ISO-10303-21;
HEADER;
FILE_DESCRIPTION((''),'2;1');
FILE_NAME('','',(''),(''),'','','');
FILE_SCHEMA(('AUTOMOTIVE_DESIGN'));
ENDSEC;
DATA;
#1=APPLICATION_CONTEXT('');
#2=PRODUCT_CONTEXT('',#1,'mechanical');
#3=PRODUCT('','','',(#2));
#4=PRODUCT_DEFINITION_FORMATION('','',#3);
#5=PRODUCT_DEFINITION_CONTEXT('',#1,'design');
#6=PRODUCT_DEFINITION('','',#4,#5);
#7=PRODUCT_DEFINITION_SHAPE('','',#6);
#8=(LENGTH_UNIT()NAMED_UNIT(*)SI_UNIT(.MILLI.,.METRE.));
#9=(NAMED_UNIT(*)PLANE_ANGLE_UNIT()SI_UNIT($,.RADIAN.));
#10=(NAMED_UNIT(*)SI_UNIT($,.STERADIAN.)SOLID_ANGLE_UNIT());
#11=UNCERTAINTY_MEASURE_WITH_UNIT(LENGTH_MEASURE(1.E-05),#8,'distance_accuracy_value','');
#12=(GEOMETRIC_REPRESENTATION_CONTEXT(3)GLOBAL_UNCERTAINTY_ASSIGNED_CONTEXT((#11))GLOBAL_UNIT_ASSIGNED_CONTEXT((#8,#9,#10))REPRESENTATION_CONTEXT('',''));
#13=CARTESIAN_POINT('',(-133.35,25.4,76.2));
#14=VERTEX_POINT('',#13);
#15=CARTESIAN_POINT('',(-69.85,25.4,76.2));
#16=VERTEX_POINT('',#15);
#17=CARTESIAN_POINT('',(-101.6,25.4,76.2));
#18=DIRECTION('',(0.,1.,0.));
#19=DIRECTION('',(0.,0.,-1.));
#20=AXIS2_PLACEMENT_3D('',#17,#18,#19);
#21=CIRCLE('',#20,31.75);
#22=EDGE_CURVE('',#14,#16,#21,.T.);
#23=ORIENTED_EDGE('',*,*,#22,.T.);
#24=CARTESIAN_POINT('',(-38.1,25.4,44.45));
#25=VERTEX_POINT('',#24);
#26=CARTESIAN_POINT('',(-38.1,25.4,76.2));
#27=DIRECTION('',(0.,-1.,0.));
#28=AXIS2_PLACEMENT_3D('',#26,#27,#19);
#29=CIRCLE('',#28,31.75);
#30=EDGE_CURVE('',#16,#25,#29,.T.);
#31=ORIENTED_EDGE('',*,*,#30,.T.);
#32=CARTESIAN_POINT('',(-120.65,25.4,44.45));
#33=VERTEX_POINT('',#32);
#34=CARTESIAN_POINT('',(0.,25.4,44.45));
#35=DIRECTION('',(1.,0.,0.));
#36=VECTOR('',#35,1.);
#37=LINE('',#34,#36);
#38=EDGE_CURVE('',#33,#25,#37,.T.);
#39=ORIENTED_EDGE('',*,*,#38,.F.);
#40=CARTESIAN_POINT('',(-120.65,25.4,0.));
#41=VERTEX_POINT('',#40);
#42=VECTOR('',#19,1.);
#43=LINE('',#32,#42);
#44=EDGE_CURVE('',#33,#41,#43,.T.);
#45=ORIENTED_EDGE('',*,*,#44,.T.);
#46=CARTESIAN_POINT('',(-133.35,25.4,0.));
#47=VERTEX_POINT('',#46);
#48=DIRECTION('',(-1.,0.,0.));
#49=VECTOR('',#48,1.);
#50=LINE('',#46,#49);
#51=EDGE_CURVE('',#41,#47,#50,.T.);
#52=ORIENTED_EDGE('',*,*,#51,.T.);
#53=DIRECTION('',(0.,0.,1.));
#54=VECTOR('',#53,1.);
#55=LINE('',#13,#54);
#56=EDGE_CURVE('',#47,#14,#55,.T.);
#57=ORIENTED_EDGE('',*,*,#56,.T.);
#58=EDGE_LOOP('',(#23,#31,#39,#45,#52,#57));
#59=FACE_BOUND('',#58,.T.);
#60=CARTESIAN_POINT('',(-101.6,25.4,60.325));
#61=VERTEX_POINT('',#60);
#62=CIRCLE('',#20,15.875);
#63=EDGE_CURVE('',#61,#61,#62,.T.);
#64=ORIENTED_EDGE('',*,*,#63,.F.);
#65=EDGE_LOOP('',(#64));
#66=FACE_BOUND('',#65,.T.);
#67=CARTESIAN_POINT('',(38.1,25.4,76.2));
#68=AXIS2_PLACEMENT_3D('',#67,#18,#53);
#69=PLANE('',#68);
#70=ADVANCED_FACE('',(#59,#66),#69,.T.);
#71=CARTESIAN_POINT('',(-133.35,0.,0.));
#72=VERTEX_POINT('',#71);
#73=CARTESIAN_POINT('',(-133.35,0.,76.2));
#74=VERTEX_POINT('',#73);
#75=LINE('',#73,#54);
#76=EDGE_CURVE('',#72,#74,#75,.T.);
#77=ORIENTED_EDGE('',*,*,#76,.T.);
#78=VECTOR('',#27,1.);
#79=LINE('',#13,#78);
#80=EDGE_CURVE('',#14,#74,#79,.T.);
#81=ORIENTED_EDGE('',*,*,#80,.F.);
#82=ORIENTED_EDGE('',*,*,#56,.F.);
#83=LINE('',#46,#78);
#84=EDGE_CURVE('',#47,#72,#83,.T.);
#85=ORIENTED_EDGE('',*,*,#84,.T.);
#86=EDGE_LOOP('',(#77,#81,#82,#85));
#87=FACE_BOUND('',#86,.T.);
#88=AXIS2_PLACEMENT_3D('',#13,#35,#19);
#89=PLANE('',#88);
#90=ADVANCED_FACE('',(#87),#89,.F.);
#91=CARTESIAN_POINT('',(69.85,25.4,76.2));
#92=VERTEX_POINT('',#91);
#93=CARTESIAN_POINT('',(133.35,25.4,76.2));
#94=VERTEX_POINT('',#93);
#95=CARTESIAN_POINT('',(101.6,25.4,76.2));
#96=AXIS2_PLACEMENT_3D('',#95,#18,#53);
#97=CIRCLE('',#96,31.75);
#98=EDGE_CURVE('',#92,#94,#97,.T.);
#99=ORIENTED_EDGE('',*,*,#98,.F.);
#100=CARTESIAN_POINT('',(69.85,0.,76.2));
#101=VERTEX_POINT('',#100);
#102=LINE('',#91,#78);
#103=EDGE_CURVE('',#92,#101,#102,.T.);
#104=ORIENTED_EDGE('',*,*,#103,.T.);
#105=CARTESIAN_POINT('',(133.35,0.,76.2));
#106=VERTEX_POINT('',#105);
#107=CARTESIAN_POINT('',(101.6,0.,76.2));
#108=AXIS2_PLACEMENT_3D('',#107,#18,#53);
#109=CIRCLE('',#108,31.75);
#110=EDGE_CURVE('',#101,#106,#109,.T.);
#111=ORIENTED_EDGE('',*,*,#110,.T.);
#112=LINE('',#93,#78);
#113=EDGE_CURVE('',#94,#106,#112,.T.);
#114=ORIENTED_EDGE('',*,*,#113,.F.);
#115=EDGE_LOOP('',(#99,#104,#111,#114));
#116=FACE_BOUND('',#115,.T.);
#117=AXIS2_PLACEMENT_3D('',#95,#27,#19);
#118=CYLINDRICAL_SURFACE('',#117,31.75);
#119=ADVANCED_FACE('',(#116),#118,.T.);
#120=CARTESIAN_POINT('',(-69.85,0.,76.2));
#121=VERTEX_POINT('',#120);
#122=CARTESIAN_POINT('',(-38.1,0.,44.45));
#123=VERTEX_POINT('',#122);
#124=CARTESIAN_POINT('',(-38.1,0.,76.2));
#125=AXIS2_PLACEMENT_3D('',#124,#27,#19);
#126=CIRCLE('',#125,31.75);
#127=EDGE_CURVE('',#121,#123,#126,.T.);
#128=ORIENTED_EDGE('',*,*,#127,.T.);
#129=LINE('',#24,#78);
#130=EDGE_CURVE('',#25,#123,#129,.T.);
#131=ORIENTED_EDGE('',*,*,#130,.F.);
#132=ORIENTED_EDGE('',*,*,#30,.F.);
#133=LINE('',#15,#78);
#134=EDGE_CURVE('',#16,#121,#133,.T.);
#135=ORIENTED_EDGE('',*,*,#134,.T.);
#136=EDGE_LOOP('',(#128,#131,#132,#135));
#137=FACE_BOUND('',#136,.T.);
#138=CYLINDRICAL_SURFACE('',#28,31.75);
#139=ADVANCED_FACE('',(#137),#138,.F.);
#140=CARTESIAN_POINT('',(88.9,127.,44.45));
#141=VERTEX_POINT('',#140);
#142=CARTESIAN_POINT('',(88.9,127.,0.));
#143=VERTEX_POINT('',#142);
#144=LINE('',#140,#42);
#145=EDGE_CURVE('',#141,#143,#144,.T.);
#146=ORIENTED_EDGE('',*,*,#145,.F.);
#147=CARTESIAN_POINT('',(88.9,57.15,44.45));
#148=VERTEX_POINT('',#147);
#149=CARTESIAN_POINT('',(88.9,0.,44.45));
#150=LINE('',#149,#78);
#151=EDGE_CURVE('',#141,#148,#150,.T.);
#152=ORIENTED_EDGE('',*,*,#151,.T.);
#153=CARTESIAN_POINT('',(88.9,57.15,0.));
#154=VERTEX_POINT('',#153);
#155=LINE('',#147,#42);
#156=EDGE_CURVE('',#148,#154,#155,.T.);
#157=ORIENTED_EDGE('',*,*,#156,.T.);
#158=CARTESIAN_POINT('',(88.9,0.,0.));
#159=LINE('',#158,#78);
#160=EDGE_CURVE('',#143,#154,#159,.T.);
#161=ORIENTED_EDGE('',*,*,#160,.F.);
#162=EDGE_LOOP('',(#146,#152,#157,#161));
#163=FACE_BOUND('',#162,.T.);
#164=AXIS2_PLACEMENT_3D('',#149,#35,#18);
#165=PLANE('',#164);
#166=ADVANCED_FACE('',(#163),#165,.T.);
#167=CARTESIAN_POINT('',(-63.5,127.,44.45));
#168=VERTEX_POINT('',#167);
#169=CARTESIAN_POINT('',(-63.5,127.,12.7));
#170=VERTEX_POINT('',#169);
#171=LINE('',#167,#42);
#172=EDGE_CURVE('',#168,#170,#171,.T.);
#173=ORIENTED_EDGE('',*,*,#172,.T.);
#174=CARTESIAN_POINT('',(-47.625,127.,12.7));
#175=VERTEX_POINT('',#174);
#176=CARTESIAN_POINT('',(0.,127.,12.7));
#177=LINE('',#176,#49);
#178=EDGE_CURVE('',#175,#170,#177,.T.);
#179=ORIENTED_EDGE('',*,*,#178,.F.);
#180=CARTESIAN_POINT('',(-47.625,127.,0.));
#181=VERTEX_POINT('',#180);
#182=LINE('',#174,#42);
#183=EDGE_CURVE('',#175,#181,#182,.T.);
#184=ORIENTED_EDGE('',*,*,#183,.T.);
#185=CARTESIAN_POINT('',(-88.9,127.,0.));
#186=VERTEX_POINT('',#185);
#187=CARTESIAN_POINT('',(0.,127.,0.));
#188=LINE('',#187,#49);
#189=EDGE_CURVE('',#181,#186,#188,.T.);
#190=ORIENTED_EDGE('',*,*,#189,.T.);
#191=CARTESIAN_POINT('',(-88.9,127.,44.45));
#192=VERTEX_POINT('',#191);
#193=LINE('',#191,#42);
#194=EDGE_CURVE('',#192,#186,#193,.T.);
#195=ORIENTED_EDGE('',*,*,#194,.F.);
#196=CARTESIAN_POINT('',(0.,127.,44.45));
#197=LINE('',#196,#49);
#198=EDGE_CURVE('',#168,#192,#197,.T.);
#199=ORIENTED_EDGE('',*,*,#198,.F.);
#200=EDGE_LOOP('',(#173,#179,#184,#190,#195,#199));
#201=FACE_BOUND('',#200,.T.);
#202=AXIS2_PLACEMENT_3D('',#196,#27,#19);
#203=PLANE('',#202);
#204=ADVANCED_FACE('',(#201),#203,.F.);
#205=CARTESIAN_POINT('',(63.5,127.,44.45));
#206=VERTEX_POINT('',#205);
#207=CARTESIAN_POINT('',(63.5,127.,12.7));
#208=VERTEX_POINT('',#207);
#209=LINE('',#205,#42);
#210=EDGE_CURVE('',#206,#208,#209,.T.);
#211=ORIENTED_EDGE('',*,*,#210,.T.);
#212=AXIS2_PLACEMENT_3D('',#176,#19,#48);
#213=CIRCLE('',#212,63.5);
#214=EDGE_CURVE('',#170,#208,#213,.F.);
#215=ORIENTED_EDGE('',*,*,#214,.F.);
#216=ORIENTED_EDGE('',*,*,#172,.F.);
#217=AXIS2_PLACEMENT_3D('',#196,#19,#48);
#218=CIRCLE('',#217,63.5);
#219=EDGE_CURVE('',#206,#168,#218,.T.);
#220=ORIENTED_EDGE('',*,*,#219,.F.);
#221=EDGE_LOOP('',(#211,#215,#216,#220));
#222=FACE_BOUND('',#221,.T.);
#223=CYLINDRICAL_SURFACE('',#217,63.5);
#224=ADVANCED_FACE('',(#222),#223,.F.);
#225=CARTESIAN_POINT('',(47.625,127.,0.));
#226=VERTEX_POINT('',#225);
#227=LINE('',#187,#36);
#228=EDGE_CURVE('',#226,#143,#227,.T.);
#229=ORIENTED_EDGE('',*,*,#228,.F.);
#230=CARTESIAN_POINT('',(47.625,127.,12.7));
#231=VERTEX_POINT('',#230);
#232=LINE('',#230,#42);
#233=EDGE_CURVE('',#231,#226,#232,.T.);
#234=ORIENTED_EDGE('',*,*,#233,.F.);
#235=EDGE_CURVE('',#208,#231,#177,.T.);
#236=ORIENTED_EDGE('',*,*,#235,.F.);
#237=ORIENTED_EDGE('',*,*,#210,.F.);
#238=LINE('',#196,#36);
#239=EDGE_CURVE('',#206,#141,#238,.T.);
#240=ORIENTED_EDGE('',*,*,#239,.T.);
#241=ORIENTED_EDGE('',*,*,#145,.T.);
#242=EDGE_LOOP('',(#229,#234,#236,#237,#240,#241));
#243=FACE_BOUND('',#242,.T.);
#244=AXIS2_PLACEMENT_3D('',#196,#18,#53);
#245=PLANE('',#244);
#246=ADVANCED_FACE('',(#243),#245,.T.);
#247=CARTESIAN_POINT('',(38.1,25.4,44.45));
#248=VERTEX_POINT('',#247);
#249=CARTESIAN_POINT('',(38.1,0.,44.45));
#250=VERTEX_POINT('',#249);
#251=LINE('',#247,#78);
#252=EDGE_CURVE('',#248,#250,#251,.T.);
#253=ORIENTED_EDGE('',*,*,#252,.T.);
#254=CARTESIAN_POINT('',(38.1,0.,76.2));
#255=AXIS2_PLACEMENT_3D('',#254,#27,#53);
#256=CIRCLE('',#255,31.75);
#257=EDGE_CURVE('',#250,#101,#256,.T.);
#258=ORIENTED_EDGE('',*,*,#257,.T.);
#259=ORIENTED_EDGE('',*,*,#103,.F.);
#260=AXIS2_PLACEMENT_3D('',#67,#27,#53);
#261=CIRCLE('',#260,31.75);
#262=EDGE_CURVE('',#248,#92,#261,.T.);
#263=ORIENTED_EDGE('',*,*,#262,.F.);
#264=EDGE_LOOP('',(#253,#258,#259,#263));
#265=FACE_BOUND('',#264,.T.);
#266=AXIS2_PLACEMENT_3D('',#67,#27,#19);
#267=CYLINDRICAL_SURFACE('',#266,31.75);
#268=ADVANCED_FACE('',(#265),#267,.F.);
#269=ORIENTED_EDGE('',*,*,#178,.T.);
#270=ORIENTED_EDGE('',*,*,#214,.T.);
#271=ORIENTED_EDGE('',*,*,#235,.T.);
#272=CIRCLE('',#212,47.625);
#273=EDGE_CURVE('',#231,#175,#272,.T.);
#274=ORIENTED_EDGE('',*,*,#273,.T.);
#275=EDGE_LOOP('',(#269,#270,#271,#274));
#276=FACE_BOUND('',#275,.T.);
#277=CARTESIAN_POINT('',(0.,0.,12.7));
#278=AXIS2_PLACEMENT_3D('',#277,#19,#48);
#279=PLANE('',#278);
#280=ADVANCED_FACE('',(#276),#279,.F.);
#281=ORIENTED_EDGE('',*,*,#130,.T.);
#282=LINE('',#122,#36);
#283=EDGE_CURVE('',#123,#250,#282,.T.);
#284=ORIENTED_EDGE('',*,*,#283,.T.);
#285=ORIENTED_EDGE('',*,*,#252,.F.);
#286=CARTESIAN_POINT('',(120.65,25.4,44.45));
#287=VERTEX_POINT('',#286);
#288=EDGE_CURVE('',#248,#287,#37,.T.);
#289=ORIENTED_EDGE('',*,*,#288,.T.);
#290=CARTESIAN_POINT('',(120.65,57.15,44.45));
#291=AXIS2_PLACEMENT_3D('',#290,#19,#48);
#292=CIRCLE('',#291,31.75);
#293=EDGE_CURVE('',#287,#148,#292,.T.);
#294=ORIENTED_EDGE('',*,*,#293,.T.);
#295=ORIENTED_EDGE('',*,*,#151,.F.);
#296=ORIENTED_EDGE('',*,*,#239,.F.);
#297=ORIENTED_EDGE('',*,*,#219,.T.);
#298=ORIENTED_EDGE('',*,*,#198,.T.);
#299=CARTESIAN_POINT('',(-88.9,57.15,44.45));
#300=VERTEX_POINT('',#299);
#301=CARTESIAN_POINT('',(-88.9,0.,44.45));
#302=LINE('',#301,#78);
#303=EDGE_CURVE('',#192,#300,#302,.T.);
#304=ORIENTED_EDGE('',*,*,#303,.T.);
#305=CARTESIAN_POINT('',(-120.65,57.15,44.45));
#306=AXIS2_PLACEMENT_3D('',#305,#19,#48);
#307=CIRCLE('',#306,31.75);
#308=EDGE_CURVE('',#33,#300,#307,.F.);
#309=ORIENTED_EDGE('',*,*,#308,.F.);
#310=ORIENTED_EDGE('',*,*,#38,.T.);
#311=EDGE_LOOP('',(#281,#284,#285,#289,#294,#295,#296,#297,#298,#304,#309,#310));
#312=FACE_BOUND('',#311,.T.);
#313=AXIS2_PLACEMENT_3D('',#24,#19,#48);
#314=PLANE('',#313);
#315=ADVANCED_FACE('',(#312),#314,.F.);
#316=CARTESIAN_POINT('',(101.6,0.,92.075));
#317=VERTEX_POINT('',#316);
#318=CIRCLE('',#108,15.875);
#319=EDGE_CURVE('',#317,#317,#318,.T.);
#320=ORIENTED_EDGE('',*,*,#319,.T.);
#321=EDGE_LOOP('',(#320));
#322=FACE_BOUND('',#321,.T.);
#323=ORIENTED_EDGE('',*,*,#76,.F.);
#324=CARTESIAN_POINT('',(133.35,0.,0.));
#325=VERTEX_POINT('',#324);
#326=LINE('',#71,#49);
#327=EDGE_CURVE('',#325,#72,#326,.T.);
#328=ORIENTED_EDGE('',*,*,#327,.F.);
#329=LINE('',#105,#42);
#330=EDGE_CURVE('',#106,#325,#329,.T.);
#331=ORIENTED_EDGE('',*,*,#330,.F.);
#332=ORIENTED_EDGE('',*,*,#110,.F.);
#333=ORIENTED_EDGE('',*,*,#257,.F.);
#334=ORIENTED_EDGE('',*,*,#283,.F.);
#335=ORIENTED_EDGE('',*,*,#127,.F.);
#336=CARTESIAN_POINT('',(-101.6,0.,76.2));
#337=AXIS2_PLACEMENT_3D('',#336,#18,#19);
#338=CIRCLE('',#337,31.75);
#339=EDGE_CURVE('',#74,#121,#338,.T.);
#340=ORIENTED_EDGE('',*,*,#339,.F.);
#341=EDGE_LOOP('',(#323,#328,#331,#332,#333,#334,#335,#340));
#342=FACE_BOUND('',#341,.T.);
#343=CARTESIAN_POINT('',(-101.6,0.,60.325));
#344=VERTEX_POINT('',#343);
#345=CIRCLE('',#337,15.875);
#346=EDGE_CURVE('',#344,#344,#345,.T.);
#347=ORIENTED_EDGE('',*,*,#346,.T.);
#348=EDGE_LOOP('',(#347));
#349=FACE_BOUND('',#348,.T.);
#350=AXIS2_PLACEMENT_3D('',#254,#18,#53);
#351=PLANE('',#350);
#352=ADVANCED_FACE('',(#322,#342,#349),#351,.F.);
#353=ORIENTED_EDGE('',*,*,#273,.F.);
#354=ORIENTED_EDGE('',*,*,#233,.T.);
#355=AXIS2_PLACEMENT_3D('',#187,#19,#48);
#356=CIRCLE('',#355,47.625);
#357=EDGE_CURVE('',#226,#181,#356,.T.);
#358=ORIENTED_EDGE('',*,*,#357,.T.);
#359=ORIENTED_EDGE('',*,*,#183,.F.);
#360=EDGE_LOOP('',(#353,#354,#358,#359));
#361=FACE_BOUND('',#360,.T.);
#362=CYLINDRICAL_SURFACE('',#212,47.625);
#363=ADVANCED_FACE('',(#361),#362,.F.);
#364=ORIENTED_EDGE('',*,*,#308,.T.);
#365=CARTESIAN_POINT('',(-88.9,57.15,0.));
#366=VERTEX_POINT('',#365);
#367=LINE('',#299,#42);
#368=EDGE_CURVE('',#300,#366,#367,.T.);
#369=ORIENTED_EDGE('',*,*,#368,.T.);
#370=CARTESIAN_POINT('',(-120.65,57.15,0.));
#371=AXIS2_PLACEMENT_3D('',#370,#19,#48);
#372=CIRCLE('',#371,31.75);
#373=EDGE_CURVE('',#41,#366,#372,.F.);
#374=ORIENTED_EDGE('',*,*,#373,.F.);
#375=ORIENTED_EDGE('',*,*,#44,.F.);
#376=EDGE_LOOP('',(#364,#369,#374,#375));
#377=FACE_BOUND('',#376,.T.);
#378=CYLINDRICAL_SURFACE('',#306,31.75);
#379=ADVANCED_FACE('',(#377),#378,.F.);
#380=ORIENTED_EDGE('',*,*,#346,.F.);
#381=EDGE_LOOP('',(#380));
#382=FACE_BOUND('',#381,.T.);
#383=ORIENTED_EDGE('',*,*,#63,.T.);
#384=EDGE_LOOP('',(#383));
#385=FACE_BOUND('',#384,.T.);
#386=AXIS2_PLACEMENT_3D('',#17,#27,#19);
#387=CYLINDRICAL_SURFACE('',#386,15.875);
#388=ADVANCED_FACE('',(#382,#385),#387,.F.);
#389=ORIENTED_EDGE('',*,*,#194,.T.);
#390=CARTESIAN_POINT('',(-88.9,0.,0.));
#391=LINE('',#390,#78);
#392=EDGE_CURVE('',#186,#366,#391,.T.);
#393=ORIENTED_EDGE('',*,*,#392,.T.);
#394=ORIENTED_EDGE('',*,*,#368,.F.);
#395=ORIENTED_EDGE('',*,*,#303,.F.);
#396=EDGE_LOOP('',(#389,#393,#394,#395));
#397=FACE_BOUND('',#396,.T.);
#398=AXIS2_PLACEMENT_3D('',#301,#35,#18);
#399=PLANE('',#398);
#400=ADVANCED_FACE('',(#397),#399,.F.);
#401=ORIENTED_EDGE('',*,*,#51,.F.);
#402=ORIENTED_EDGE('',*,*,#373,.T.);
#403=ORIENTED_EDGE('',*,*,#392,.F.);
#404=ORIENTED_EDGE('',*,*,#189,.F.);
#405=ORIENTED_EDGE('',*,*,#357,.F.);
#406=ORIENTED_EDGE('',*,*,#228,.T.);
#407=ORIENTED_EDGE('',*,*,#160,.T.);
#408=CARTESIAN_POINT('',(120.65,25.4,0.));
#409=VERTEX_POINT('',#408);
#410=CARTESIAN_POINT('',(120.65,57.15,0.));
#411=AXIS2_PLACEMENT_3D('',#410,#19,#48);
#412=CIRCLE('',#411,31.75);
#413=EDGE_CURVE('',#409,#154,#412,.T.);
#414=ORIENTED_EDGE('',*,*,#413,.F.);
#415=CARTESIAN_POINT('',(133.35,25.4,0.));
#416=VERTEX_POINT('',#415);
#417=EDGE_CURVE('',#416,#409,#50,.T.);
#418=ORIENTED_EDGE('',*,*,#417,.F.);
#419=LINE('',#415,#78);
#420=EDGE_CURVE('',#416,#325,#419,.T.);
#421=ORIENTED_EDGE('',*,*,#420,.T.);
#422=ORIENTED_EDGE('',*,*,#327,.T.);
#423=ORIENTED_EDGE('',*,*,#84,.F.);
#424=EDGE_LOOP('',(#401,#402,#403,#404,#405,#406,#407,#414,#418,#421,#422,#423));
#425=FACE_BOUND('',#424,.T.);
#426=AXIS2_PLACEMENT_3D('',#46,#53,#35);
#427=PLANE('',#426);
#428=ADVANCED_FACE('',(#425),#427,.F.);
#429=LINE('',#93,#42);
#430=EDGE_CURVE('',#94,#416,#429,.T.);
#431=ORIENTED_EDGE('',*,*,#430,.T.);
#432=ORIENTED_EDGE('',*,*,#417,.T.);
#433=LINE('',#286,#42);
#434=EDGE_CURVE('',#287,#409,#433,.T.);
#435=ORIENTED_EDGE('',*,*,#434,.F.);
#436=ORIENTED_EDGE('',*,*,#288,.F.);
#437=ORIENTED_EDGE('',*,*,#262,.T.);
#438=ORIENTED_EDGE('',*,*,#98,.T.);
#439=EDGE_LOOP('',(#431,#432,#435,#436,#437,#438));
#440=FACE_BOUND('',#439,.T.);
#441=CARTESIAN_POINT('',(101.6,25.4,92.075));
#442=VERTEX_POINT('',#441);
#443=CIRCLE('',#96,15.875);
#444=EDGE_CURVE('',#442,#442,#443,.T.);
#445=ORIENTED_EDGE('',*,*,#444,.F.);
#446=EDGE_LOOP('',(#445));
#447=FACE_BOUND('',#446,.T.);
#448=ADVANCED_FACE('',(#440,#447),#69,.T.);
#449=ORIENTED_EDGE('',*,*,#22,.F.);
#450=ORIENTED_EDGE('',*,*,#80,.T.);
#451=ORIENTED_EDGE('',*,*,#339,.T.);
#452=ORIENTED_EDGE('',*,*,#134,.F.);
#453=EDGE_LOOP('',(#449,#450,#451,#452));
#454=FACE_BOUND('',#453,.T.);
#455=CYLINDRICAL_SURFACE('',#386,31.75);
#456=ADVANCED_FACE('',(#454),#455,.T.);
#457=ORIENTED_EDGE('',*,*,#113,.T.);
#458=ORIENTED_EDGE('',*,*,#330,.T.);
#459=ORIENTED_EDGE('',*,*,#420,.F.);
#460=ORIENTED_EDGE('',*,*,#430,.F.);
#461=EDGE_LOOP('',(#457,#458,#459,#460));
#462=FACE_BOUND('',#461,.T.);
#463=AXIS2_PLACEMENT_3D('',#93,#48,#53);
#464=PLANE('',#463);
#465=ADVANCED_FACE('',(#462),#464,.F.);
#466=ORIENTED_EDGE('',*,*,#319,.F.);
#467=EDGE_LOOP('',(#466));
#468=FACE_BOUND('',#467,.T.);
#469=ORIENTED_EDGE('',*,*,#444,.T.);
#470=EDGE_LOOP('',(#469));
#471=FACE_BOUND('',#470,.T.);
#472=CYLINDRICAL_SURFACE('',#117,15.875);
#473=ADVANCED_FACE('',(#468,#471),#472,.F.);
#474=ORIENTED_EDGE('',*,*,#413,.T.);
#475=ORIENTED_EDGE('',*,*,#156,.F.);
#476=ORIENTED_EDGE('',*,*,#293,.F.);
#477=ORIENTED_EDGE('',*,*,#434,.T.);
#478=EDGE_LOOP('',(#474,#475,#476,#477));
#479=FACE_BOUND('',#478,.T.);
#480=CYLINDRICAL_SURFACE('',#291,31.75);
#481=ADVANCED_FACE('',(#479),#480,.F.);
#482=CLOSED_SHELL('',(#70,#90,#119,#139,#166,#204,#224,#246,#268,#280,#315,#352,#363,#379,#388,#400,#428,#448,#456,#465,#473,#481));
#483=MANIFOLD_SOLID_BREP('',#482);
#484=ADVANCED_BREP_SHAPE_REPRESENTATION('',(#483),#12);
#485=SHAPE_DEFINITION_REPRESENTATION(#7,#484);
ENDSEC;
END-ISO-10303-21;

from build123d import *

# Parameters (mm, degrees)
SKETCH2_R           = 15.875
BOSS_EXTRUDE1_DEPTH = 25.4
BOSS_EXTRUDE2_DEPTH = 44.45
BOSS_EXTRUDE3_DEPTH = 12.7


with BuildPart() as part:
    # Sketch2 → Boss-Extrude1 (new body)
    with BuildSketch(Plane(origin=(0, 0, 0), x_dir=(1, 0, 0), z_dir=(0, 1, 0))):
        with BuildLine():
            Line((-133.35, 0), (133.35, 0))
            Line((133.35, 0), (133.35, -76.2))
            ThreePointArc((133.35, -76.2), (101.6, -107.95), (69.85, -76.2))
            ThreePointArc((69.85, -76.2), (60.550640303, -53.749359697), (38.1, -44.45))
            Line((38.1, -44.45), (-38.1, -44.45))
            ThreePointArc((-38.1, -44.45), (-60.550640303, -53.749359697), (-69.85, -76.2))
            ThreePointArc((-69.85, -76.2), (-101.6, -107.95), (-133.35, -76.2))
            Line((-133.35, -76.2), (-133.35, 0))
        make_face()
        with Locations((101.6, -76.2)):
            Circle(SKETCH2_R, mode=Mode.SUBTRACT)
        with Locations((-101.6, -76.2)):
            Circle(SKETCH2_R, mode=Mode.SUBTRACT)
    extrude(amount=BOSS_EXTRUDE1_DEPTH)

    # Sketch3 → Boss-Extrude2 (add)
    with BuildSketch(Plane(origin=(0, 0, 0), x_dir=(-1, 0, 0), z_dir=(0, 0, -1))):
        with BuildLine():
            ThreePointArc((63.5, 127), (0, 63.5), (-63.5, 127))
            Line((-63.5, 127), (-88.9, 127))
            Line((-88.9, 127), (-88.9, 57.15))
            ThreePointArc((-88.9, 57.15), (-98.199359697, 34.699359697), (-120.65, 25.4))
            Line((-120.65, 25.4), (0, 25.4))
            Line((0, 25.4), (120.65, 25.4))
            ThreePointArc((120.65, 25.4), (98.199359697, 34.699359697), (88.9, 57.15))
            Line((88.9, 57.15), (88.9, 127))
            Line((88.9, 127), (63.5, 127))
        make_face()
    extrude(amount=-BOSS_EXTRUDE2_DEPTH)

    # Sketch4 → Boss-Extrude3 (add)
    with BuildSketch(Plane(origin=(0, 0, 0), x_dir=(-1, 0, 0), z_dir=(0, 0, -1))):
        with BuildLine():
            Line((-47.625, 127), (-63.5, 127))
            ThreePointArc((-63.5, 127), (0, 63.5), (63.5, 127))
            Line((63.5, 127), (47.625, 127))
            ThreePointArc((47.625, 127), (0, 79.375), (-47.625, 127))
        make_face()
    extrude(amount=-BOSS_EXTRUDE3_DEPTH)


solid = part.part
